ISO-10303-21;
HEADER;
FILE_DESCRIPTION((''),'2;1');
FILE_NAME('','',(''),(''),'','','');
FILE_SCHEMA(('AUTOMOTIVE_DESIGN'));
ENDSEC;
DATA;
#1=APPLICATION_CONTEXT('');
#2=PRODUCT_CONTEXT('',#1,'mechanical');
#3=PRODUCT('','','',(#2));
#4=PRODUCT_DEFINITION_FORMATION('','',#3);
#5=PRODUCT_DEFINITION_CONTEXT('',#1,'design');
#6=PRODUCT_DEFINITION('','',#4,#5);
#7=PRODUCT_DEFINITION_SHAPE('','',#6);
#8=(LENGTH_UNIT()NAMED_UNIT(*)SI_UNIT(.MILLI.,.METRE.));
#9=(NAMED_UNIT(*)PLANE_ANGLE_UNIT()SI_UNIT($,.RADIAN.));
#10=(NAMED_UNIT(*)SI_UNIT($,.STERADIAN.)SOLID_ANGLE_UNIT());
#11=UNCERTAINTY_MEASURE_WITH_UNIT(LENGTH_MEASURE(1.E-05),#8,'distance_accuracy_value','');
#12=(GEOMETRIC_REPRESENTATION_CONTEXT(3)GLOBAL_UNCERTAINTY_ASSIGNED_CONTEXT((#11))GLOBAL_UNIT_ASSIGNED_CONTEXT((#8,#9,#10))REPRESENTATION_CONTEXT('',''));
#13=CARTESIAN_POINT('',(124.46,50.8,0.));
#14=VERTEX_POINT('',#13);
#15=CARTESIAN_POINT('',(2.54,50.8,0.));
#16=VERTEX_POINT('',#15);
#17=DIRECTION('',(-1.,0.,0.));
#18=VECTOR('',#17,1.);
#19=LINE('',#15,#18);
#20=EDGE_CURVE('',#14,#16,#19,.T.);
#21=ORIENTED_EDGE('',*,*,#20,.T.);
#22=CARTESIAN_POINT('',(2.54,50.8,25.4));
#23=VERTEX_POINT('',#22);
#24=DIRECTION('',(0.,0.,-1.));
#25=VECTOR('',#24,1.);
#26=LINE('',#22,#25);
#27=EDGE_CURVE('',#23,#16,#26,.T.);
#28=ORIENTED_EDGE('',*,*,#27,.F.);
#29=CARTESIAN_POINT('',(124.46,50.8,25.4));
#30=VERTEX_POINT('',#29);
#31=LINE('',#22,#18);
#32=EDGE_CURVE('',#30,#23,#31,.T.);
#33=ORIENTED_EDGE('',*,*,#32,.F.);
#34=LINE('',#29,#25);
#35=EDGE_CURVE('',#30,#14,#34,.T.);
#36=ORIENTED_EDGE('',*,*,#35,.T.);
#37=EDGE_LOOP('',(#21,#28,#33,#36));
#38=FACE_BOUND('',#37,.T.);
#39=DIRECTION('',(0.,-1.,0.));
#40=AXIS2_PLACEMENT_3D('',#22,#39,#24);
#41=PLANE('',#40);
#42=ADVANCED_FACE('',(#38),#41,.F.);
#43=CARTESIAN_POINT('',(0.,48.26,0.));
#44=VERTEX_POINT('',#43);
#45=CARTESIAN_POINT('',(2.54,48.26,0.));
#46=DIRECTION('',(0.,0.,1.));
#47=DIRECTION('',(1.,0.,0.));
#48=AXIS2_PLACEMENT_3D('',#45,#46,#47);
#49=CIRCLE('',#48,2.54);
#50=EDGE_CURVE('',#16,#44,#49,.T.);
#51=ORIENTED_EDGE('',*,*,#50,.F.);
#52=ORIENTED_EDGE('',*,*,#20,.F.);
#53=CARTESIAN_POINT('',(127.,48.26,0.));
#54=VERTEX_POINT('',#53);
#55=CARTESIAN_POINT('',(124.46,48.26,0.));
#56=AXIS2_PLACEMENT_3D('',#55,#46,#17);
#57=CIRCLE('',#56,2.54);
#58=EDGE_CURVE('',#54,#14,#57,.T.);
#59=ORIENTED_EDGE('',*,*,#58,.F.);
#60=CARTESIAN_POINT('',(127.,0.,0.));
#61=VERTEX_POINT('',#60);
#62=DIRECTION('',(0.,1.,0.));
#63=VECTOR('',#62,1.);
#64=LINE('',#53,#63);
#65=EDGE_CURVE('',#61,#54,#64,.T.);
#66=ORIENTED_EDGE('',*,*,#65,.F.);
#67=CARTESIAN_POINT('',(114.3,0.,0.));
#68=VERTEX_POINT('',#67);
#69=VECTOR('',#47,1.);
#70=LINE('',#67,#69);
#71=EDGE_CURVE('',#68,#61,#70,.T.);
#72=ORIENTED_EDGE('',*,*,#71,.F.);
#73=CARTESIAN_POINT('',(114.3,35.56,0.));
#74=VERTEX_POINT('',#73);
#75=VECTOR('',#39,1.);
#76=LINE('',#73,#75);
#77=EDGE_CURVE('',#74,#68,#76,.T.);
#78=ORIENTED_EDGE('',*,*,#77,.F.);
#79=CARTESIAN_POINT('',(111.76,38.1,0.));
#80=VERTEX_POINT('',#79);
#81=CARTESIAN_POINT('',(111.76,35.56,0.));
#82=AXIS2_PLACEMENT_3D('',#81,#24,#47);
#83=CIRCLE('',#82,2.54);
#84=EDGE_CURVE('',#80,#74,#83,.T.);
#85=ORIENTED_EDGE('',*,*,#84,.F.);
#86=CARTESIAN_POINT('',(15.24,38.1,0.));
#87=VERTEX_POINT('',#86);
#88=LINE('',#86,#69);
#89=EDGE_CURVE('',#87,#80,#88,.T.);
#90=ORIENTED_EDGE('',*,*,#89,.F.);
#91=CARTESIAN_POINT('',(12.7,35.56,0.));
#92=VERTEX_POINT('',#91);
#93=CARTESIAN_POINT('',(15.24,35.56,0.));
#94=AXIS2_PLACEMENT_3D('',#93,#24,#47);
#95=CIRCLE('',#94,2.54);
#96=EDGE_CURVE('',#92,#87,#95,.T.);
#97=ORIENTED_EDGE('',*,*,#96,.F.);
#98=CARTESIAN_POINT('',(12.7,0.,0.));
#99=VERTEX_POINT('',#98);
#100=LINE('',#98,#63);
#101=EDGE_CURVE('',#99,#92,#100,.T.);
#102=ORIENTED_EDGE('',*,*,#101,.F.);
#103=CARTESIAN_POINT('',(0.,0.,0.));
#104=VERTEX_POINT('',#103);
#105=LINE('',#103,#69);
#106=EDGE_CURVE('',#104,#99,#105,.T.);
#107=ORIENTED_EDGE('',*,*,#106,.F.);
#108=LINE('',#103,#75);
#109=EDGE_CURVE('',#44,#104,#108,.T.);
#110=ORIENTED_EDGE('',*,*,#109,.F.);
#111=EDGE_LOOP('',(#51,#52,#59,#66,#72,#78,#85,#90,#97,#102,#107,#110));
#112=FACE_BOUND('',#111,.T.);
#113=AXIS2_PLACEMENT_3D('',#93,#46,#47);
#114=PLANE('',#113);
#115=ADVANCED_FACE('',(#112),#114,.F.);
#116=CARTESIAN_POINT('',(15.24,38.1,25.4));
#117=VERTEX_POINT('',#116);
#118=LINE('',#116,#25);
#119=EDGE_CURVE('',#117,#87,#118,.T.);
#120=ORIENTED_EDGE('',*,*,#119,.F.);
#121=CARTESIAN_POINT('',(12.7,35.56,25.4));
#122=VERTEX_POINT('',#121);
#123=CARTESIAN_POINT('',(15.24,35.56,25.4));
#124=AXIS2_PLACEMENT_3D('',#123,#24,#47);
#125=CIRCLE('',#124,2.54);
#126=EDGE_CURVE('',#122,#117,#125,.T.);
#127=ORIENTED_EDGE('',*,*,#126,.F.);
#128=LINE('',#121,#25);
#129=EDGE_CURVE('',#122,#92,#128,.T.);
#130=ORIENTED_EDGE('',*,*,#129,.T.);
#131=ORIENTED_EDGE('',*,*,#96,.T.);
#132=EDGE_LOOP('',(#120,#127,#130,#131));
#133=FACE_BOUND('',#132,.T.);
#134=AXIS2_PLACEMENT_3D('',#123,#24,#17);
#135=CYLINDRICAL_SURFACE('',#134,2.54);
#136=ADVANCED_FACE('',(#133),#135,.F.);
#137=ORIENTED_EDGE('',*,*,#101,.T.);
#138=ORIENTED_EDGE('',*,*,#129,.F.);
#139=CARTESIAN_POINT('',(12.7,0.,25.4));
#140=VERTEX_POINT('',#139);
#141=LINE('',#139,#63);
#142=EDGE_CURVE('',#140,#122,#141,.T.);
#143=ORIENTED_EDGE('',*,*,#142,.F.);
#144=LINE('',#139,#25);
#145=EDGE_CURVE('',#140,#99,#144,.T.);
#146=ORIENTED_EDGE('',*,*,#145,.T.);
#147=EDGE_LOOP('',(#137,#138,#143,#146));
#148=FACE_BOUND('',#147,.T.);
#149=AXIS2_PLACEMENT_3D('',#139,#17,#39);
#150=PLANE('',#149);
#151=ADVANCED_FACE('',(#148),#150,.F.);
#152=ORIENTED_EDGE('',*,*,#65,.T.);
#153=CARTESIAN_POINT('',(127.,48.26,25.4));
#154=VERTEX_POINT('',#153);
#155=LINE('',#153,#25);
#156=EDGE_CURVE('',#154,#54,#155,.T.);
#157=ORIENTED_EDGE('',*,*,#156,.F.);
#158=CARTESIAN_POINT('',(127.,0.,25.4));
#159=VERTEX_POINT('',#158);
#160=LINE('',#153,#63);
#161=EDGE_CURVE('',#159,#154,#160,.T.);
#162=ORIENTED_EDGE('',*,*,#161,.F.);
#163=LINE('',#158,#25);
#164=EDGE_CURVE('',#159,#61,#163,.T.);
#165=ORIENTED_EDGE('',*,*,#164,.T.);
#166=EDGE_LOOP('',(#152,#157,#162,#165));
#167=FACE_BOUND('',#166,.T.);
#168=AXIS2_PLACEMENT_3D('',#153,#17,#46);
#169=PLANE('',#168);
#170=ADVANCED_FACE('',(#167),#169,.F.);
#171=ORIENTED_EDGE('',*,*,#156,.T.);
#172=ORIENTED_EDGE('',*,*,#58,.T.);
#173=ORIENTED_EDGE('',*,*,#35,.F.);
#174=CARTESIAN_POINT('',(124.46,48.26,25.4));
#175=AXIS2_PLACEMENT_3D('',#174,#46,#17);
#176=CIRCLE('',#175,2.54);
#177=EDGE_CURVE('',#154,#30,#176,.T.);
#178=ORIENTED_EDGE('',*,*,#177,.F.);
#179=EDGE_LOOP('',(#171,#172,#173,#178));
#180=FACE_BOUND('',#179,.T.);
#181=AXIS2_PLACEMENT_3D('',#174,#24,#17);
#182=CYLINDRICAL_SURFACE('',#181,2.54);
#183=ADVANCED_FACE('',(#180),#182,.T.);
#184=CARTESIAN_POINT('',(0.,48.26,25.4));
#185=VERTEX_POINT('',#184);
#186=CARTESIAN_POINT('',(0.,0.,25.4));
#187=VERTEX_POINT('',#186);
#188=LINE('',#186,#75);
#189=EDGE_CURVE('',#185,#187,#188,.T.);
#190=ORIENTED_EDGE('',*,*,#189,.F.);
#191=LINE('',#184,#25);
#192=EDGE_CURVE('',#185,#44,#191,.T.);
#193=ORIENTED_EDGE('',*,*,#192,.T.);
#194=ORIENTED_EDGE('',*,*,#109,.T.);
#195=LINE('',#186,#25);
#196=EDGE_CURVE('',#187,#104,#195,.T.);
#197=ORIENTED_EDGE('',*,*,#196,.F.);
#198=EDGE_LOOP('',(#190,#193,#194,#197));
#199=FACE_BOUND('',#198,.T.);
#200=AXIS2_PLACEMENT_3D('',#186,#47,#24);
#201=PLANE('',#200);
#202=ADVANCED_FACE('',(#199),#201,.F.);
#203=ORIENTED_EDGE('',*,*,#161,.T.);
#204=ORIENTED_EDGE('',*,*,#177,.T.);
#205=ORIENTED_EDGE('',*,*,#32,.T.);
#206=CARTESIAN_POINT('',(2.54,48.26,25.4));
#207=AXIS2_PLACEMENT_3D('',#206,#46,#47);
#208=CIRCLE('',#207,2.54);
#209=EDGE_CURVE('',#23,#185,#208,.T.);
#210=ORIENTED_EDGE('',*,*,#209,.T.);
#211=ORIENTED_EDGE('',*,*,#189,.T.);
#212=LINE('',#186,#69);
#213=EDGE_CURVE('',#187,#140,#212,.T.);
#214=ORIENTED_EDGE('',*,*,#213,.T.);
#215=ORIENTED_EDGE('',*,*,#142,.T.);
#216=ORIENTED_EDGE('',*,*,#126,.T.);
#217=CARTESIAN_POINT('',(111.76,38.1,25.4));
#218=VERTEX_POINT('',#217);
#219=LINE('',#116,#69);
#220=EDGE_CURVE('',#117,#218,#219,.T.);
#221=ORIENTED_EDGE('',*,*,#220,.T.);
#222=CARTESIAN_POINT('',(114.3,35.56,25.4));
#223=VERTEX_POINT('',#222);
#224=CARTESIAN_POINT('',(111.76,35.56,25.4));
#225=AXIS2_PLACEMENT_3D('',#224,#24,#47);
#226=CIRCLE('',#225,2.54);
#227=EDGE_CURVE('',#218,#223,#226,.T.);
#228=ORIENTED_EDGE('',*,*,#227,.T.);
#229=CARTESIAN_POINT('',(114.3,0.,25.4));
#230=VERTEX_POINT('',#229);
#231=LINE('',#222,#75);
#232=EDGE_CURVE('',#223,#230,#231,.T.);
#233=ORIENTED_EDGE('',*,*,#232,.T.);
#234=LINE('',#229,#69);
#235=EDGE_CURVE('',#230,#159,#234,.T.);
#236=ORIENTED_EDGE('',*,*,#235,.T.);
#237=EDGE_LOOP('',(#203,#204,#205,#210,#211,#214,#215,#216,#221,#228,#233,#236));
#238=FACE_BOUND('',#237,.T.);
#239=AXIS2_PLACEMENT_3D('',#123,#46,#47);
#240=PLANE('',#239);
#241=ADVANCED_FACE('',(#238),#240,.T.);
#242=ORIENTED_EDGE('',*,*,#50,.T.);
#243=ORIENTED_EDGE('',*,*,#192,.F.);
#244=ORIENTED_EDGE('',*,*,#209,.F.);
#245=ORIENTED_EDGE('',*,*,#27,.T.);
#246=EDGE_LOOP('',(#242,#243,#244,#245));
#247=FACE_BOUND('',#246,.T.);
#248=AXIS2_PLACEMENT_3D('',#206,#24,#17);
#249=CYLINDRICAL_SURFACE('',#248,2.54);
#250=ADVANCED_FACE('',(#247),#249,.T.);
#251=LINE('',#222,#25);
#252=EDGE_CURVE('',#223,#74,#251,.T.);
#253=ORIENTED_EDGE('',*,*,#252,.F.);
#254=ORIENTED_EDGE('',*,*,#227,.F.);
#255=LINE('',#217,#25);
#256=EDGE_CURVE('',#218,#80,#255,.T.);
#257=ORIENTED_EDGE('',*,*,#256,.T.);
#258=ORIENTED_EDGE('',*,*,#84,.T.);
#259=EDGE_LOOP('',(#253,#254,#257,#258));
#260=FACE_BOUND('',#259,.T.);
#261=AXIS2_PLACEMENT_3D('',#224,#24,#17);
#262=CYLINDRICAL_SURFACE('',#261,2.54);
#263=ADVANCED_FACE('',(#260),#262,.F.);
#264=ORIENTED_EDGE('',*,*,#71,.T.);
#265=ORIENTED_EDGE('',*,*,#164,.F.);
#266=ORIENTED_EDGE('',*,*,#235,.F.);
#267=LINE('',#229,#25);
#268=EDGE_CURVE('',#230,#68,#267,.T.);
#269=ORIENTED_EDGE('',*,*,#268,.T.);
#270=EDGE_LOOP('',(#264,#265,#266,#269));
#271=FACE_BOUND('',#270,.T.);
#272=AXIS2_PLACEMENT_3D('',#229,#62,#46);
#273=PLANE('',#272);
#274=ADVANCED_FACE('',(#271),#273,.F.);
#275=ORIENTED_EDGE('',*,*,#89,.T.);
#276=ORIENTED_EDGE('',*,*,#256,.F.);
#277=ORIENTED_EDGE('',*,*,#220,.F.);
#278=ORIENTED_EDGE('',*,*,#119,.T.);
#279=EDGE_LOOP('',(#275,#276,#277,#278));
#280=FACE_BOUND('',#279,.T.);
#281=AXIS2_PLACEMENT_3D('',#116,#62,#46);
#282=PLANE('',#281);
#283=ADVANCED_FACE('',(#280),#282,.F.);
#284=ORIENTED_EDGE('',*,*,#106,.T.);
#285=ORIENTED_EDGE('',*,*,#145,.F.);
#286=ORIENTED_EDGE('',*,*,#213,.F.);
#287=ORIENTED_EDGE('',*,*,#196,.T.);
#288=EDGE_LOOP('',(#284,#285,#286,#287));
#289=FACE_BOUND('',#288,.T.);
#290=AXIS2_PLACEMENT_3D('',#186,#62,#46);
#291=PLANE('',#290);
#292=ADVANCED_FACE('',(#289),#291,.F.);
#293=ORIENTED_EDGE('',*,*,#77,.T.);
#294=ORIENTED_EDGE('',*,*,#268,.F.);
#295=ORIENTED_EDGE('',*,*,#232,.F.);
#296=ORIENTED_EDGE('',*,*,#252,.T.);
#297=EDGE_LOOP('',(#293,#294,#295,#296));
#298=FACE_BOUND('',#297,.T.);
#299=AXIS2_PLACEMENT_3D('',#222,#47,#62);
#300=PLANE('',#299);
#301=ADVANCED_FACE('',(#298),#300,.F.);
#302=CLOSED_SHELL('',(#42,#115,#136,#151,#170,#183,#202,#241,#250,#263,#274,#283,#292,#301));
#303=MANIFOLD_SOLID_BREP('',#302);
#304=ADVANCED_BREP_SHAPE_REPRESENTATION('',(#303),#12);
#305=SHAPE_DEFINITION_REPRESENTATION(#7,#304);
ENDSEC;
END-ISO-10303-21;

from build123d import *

# Parameters (mm, degrees)
BOSS_EXTRUDE1_DEPTH = 25.4


with BuildPart() as part:
    # Sketch1 → Boss-Extrude1 (new body)
    with BuildSketch(Plane.XY):
        with BuildLine():
            Line((0, 0), (0, 48.26))
            ThreePointArc((0, 48.26), (0.743948776, 50.056051224), (2.54, 50.8))
            Line((2.54, 50.8), (124.46, 50.8))
            ThreePointArc((124.46, 50.8), (126.256051224, 50.056051224), (127, 48.26))
            Line((127, 48.26), (127, 0))
            Line((127, 0), (114.3, 0))
            Line((114.3, 0), (114.3, 35.56))
            ThreePointArc((114.3, 35.56), (113.556051224, 37.356051224), (111.76, 38.1))
            Line((111.76, 38.1), (15.24, 38.1))
            ThreePointArc((15.24, 38.1), (13.443948776, 37.356051224), (12.7, 35.56))
            Line((12.7, 35.56), (12.7, 0))
            Line((12.7, 0), (0, 0))
        make_face()
    extrude(amount=BOSS_EXTRUDE1_DEPTH)


solid = part.part
